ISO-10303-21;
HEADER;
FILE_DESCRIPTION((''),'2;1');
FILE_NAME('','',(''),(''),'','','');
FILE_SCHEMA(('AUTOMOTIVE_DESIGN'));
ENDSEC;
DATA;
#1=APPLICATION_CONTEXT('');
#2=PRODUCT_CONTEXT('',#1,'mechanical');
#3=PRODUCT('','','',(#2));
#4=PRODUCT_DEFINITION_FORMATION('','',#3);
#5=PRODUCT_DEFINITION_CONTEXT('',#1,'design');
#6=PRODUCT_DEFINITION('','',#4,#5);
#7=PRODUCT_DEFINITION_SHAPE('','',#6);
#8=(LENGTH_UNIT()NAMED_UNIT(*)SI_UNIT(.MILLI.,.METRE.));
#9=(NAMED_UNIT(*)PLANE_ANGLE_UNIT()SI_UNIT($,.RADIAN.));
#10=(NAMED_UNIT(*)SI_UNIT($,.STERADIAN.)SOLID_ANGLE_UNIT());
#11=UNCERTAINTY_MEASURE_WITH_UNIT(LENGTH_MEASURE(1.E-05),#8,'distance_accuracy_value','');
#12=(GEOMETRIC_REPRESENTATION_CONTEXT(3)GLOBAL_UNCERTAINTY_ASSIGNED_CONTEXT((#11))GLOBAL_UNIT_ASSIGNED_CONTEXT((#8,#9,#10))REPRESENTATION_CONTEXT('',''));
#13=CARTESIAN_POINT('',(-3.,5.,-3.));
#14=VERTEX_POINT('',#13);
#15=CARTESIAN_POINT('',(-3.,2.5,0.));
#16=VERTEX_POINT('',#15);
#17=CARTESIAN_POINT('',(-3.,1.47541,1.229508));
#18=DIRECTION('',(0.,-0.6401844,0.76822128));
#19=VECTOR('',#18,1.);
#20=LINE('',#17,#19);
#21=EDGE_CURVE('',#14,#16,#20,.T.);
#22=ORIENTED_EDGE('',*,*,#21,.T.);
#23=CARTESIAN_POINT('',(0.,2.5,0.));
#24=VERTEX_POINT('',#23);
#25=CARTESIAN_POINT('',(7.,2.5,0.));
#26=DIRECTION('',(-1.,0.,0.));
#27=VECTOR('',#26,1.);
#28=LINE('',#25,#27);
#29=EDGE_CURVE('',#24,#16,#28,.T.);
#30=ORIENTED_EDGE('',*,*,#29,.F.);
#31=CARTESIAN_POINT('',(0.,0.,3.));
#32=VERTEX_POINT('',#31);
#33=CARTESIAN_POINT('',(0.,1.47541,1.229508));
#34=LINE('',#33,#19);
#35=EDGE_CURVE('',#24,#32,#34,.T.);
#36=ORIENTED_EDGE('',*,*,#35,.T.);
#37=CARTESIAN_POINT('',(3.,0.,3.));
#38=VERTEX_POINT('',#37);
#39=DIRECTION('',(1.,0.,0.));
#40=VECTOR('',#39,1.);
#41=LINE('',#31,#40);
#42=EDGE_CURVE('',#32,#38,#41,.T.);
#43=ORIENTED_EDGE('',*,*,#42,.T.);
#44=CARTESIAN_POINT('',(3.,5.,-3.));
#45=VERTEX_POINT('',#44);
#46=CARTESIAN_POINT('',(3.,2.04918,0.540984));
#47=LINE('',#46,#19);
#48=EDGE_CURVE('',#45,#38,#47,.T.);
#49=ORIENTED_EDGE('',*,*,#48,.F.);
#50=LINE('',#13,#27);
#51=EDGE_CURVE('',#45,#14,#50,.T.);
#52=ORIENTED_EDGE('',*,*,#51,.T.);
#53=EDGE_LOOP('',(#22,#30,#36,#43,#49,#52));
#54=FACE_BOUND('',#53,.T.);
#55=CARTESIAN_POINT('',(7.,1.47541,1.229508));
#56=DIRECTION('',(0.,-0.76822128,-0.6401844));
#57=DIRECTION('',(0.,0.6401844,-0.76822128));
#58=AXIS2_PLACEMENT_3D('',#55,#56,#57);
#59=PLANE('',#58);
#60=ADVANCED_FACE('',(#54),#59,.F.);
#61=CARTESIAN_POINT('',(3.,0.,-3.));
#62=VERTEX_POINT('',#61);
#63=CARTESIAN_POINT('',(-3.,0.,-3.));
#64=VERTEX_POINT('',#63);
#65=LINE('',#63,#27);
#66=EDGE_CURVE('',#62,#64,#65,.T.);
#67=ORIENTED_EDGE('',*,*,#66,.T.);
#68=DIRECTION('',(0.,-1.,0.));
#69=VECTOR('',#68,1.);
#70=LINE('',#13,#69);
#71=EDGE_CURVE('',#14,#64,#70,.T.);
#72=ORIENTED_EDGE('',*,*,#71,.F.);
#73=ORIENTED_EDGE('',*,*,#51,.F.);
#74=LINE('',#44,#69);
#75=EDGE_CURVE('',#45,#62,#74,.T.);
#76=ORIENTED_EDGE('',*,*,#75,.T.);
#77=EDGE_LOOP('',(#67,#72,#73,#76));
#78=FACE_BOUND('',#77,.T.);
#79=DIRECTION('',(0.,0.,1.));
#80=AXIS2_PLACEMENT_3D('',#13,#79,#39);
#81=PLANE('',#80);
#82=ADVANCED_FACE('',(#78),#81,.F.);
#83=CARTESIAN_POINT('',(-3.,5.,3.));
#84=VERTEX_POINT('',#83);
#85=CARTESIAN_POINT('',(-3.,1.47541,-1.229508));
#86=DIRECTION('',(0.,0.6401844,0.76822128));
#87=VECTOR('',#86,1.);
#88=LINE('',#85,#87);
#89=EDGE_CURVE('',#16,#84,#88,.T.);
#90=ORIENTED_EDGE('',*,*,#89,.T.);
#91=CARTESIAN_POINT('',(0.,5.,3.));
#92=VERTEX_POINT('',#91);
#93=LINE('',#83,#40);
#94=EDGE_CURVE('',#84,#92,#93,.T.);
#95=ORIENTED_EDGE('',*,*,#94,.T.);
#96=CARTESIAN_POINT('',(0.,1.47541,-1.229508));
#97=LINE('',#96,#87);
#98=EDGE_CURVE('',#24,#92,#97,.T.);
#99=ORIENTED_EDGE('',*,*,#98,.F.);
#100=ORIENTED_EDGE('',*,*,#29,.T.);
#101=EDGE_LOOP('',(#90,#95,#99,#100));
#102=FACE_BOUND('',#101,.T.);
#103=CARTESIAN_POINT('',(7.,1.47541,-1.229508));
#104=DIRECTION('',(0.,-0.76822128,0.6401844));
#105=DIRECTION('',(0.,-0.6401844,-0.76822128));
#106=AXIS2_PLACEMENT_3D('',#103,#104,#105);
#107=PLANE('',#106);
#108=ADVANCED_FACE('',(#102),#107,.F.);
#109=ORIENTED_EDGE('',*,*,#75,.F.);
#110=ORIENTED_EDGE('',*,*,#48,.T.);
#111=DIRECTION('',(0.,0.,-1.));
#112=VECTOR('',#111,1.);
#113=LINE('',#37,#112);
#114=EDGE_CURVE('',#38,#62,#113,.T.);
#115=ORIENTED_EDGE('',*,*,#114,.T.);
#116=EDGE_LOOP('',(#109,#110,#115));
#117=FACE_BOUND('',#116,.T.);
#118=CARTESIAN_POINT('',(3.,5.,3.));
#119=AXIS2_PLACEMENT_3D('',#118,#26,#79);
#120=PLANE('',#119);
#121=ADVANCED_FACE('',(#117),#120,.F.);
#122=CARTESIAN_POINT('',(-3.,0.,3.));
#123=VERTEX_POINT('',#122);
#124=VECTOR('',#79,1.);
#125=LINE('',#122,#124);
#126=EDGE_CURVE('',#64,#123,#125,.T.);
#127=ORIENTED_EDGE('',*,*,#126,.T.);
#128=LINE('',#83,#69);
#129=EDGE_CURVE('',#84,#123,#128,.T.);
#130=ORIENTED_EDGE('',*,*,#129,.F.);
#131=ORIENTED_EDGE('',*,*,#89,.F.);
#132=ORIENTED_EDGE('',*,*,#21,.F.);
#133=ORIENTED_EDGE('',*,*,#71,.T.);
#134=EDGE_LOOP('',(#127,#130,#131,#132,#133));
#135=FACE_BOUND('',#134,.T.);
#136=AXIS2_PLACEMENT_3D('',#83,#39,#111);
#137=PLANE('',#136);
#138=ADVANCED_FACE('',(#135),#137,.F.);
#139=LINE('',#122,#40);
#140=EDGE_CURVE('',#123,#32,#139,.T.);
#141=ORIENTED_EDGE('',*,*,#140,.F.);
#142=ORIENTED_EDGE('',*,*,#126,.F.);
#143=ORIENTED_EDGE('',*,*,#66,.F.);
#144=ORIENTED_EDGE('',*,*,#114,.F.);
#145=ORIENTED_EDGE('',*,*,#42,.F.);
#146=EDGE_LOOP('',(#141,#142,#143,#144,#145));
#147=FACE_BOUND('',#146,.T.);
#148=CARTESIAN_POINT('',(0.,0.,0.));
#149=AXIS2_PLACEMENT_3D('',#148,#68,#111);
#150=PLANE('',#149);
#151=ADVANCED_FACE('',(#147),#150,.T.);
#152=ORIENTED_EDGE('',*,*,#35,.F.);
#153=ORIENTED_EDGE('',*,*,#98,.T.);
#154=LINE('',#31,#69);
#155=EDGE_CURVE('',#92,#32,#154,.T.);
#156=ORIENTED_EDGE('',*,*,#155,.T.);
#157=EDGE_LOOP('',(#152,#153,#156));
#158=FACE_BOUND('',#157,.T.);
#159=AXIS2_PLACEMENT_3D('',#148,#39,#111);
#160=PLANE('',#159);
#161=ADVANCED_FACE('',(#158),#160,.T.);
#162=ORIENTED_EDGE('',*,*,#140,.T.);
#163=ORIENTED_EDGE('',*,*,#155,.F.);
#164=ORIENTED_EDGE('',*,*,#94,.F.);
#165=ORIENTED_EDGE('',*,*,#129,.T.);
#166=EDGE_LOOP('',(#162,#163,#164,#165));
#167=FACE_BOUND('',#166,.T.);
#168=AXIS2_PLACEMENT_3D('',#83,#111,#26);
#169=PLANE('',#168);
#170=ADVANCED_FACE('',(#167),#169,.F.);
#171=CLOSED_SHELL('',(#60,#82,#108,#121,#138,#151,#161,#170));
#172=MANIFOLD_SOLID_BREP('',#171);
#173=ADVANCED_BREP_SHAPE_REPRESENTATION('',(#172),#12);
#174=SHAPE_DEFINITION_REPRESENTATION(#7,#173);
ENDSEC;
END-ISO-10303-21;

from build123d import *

# Parameters (mm, degrees)
SKETCH1_W           = 6
SKETCH1_H           = 6
BOSS_EXTRUDE1_DEPTH = 5
CUT_EXTRUDE1_DEPTH  = 10
CUT_EXTRUDE2_DEPTH  = 3


with BuildPart() as part:
    # Sketch1 → Boss-Extrude1 (new body)
    with BuildSketch(Plane(origin=(0, 0, 0), x_dir=(1, 0, 0), z_dir=(0, 1, 0))):
        Rectangle(SKETCH1_W, SKETCH1_H)
    extrude(amount=BOSS_EXTRUDE1_DEPTH)

    # Sketch2 → Cut-Extrude1 (cut)
    with BuildSketch(Plane.ZY.offset(3)):
        Polygon((3, 5), (-3, 5), (0, 2.5), align=None)
    extrude(amount=-CUT_EXTRUDE1_DEPTH, mode=Mode.SUBTRACT)

    # Sketch3 → Cut-Extrude2 (cut)
    with BuildSketch(Plane(origin=(3, 0, 0), x_dir=(0, 0, -1), z_dir=(1, 0, 0))):
        Polygon((-3, 0), (0, 2.5), (-3, 5), align=None)
    extrude(amount=-CUT_EXTRUDE2_DEPTH, mode=Mode.SUBTRACT)


solid = part.part
